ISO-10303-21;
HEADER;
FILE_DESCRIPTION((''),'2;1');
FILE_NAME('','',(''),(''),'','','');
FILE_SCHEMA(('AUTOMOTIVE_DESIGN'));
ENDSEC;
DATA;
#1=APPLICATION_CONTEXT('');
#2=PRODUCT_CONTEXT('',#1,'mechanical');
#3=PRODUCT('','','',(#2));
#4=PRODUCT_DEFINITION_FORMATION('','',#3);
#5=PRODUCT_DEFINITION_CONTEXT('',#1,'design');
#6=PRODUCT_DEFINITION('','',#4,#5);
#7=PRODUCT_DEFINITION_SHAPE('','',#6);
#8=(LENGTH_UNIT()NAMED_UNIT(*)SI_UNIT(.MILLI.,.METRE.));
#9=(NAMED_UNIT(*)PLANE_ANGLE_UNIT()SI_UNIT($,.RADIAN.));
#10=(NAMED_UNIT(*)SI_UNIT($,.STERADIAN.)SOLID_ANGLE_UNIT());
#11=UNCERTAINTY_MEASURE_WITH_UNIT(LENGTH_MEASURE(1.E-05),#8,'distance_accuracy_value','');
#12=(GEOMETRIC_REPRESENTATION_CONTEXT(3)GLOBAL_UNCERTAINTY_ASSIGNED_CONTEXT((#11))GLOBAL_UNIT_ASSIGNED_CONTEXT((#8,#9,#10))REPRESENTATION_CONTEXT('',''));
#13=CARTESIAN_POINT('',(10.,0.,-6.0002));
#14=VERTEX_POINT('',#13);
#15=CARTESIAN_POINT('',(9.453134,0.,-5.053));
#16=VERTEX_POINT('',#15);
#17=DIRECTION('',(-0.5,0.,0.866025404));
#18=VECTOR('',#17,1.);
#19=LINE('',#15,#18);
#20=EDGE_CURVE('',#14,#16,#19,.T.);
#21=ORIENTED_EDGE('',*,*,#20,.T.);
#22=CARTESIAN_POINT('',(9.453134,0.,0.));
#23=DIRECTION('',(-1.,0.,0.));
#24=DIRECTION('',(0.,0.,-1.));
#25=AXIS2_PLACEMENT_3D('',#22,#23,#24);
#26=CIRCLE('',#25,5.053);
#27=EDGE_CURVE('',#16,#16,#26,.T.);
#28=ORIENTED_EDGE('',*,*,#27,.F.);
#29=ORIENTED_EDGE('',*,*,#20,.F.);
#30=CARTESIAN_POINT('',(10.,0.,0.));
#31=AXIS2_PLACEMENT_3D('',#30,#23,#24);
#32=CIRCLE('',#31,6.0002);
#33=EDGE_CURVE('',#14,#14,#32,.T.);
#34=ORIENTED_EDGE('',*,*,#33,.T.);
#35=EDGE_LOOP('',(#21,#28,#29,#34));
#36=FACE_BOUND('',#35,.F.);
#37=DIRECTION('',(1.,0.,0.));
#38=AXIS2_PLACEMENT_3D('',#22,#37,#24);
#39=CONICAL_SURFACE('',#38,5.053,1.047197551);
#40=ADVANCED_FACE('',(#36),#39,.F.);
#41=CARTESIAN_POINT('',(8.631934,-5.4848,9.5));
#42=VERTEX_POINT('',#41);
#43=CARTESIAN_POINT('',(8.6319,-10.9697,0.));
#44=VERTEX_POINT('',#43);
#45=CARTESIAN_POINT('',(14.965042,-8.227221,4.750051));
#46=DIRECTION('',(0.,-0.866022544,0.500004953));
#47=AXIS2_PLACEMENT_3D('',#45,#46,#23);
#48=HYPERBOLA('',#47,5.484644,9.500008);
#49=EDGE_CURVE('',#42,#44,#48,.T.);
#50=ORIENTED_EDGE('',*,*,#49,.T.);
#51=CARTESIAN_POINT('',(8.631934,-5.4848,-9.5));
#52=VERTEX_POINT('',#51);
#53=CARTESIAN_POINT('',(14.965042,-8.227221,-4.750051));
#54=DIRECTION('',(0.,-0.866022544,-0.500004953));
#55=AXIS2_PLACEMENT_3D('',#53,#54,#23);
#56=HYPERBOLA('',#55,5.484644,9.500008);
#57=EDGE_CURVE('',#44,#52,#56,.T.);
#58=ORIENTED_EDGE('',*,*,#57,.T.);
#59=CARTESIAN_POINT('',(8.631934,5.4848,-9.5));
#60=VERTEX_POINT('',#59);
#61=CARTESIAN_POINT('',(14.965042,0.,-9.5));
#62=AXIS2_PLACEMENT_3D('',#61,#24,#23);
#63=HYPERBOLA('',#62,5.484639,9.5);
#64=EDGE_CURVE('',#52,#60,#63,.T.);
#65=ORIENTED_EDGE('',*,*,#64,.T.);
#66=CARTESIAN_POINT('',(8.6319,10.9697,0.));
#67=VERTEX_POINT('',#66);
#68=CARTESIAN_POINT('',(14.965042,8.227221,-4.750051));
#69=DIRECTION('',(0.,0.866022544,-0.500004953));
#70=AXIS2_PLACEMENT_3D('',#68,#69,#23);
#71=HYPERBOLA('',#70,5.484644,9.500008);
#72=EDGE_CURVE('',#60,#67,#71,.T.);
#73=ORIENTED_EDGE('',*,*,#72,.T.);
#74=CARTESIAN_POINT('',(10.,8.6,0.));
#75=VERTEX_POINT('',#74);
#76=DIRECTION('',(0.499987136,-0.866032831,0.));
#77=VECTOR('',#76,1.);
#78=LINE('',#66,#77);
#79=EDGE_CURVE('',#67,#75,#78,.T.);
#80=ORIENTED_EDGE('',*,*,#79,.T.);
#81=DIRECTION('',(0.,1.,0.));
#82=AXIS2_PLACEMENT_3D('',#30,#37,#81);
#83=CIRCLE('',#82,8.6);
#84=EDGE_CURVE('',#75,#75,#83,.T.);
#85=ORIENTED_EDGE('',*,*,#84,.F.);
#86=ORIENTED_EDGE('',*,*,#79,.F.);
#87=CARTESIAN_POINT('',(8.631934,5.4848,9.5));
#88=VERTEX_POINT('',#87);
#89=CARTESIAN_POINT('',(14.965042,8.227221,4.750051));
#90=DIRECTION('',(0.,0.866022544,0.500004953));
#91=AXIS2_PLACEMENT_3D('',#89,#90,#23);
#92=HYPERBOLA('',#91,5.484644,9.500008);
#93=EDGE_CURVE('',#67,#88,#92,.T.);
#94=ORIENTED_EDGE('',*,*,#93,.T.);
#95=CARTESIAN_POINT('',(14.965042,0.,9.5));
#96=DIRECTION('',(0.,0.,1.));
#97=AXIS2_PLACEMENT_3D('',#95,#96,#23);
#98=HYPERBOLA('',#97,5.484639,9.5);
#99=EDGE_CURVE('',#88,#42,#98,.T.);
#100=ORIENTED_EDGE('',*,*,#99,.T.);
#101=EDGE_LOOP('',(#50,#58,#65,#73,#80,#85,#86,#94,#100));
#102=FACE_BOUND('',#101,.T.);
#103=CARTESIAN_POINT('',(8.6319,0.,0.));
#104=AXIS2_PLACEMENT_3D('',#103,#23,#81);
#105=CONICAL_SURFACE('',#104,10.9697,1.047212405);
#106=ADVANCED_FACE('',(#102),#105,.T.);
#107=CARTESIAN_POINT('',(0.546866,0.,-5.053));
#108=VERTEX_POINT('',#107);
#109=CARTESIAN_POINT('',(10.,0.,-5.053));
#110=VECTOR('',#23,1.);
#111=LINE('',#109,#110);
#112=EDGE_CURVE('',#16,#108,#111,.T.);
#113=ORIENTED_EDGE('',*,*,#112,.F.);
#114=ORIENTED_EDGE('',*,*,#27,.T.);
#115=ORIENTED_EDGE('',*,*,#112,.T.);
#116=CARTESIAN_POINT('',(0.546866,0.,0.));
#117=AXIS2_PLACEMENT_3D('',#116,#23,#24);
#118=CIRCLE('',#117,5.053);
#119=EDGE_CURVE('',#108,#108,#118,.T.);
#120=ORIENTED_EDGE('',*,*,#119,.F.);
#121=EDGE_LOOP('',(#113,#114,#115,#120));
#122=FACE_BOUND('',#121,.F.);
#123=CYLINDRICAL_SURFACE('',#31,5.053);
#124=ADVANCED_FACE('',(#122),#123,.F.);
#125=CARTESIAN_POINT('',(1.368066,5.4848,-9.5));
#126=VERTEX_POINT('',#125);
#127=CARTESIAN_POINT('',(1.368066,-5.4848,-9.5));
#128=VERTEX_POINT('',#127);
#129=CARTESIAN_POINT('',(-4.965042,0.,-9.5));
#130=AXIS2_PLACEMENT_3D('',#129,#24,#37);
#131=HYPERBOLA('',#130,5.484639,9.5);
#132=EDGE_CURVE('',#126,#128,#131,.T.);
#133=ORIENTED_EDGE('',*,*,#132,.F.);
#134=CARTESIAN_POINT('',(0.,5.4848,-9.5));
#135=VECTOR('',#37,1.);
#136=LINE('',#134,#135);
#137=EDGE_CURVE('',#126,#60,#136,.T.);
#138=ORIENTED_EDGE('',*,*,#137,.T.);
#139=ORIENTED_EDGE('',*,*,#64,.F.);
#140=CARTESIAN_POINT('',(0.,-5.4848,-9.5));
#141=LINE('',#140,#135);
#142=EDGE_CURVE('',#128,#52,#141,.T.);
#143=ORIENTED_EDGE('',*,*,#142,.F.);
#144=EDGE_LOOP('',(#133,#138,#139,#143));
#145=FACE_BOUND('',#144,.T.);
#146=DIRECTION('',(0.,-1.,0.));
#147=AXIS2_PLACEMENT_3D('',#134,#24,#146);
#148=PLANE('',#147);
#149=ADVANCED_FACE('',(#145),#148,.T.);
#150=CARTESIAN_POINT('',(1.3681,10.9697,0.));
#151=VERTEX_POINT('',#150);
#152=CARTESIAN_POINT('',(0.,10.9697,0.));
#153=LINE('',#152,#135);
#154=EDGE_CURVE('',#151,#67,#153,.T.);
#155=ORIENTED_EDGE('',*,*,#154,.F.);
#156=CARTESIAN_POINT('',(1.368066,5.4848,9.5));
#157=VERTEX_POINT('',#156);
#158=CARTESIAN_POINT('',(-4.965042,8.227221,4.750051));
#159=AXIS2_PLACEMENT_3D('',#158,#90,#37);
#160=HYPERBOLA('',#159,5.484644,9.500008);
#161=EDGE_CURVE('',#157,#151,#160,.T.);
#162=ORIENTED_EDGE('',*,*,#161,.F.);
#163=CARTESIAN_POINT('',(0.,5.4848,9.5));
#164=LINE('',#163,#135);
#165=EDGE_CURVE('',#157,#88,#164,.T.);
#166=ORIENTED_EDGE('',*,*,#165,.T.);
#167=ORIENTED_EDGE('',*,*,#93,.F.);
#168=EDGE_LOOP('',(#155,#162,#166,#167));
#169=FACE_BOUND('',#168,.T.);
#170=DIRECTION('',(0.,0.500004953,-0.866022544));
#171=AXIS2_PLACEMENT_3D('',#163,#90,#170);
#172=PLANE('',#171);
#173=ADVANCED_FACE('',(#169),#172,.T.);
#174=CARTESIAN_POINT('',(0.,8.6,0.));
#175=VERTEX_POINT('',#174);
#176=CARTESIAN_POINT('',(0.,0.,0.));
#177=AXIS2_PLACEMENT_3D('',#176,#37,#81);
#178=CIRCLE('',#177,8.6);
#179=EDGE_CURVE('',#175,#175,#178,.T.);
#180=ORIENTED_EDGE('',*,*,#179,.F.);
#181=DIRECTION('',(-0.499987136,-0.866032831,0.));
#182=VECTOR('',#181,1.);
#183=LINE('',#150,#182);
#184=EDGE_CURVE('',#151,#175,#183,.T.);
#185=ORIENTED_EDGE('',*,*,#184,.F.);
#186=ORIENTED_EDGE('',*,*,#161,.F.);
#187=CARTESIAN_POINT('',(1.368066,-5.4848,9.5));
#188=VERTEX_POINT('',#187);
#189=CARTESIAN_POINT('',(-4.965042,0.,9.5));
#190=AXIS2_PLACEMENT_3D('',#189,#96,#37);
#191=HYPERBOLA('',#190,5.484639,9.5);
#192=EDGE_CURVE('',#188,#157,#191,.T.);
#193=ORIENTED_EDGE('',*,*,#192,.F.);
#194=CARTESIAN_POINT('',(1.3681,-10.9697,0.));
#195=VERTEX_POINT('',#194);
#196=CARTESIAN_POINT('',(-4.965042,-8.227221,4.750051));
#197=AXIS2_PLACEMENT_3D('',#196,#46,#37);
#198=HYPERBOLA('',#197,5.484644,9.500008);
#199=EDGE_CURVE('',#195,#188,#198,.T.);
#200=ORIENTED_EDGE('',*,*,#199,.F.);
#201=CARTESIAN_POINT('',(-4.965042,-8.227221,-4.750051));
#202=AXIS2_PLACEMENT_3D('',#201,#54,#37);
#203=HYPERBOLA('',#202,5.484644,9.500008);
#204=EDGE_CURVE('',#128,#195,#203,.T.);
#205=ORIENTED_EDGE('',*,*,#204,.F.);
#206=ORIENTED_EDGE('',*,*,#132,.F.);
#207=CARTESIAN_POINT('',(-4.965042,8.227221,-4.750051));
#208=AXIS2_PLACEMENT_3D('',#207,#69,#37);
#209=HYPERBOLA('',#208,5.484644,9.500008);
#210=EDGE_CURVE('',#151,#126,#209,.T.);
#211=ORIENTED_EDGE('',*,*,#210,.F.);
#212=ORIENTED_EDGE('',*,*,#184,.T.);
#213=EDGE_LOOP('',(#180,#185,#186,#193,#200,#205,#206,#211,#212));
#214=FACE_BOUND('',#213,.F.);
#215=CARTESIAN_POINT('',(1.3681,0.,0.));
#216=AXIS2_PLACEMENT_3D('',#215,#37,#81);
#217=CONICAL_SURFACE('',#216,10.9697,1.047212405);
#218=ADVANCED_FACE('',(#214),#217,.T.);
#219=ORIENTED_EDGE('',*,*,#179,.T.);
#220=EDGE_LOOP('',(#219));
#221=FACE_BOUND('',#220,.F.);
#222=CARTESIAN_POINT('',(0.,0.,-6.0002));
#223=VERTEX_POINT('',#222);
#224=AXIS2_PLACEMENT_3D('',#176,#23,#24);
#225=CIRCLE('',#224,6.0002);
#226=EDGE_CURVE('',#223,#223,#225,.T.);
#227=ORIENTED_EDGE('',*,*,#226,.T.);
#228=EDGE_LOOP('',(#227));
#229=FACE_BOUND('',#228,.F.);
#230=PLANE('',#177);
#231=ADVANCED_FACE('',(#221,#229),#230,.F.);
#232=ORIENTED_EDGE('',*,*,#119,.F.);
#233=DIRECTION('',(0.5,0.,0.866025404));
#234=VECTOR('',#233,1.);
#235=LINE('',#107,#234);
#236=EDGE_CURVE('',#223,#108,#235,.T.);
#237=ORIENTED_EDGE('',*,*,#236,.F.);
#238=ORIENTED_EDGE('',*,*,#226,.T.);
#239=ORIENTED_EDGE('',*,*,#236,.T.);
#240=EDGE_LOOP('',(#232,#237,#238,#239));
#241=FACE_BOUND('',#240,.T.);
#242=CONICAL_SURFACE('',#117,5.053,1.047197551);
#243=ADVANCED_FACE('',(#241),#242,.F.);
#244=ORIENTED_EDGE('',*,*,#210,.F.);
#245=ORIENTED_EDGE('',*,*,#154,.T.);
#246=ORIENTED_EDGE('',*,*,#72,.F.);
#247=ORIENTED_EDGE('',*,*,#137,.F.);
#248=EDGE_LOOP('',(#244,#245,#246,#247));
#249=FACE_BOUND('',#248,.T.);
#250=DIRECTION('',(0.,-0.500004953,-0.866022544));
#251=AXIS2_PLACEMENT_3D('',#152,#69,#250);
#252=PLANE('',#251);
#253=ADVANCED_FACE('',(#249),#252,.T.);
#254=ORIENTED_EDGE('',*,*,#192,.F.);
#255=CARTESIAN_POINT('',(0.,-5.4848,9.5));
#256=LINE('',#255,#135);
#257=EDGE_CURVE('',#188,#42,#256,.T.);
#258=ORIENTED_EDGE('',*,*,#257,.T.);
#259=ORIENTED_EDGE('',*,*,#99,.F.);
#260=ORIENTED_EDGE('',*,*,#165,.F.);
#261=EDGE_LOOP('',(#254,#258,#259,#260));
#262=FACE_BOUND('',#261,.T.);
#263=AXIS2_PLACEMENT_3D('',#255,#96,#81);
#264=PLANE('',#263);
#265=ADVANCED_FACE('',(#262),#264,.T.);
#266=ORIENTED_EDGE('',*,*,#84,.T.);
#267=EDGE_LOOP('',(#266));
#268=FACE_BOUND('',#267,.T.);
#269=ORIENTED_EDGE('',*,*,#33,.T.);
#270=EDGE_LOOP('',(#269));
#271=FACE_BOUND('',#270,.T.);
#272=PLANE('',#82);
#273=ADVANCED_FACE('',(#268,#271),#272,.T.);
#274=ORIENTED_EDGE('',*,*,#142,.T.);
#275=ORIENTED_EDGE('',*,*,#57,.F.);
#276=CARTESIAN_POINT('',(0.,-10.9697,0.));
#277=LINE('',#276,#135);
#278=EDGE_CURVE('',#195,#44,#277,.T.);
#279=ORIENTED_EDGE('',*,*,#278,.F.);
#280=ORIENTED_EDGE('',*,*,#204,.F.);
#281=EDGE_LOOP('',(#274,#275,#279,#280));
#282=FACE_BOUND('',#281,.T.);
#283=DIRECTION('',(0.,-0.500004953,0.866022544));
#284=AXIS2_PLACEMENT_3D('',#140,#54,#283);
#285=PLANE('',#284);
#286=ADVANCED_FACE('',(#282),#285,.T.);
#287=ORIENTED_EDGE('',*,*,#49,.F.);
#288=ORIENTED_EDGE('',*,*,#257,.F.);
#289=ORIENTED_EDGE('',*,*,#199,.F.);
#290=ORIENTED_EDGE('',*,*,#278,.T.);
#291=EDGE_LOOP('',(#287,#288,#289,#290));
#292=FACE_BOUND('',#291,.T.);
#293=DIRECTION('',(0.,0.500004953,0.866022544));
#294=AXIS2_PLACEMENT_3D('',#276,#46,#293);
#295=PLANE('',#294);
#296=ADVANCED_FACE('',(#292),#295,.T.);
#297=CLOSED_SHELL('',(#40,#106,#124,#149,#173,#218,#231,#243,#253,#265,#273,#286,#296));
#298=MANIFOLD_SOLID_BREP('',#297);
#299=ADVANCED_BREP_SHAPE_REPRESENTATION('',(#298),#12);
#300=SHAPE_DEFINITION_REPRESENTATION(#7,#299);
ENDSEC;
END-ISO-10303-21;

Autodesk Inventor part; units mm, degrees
ref_plane "YZ Plane" through (0, 0, 0) normal (1, 0, 0) x (0, 1, 0)
ref_plane "XZ Plane" through (0, 0, 0) normal (0, 1, 0) x (-1, 0, 0)
sketch "Sketch1" plane through (0, 0, 0) normal (1, 0, 0) x (0, 1, 0)
  line L0 (-10.9697, 0) -> (-5.4848, 9.5)
  line L1 (-5.4848, 9.5) -> (5.4848, 9.5)
  line L2 (5.4848, 9.5) -> (10.9697, 0)
  line L3 (10.9697, 0) -> (5.4848, -9.5)
  line L4 (5.4848, -9.5) -> (-5.4848, -9.5)
  line L5 (-5.4848, -9.5) -> (-10.9697, 0)
  point P0 (0, 0)
  point P1 (0, 0)
  dimension "d0" = 21.9393
extrude "Body" add sketch "Sketch1" along normal blind 10
sketch "Sketch2" plane through (0, 0, 0) normal (0, 0, 1) x (1, 0, 0)
  line L0 (0, 5.4848) -> (0, 10.9697) projected
  line L1 (0, 10.9697) -> (10, 10.9697) projected
  line L2 (10, 5.4848) -> (10, 10.9697) projected
  line L3 (-2, 0) -> (12, 0) projected
  line L4 (1.3681, 10.9697) -> (0, 8.6)
  line L5 (8.6319, 10.9697) -> (10, 8.6)
  dimension "d3" = 30
  dimension "d4" = 30
  dimension "d5" = 17.2
  dimension "d6" = 17.2
revolve "Chamfer1" cut sketch "Sketch2" angle 360 about axis through (-10, 0, 0) along (1, 0, 0)
sketch "Sketch3" plane through (10, 0, 0) normal (1, 0, 0) x (0, 0, -1)
  arc A0 (-0.625, -1.0825) -> (0.625, -1.0825) centre (0, 0) ccw projected
hole "Thread" at (10, 0, 0) direction (-1, 0, 0) diameter 10.106 end through all thread size "M12x1.75" class "6H" standard "ISO Metric profile"
chamfer "Chamfer2" distance 0.9472 angle 30 1 edges at (10, 0, 5.053) measured on face at (10, 7.3221, -0.8891)
chamfer "Chamfer3" distance 0.9472 angle 30 1 edges at (0, 0, 5.053) measured on face at (0, 7.3221, -0.8891)
ref_plane "Work Plane1" through (-20.8403, 0, 0) normal (0, -0.866, -0.5) x (1, 0, 0)
equation "\"d0\" = 1.1547 * SW"
equation "\"d1\" = KOH"
equation "\"d3\" = ANG1"
equation "\"d4\" = ANG2"
equation "\"d5\" = SW0"
equation "\"d6\" = SW01"
equation "\"d8\" = -0.5 * GD1 + 0.5 * NND"
equation "\"d40\" = -0.5 * GD1 + 0.5 * NND"
equation "\"d10\" = -0.5 * GD1 + 0.5 * NND"
equation "\"d41\" = -0.5 * GD1 + 0.5 * NND"
equation "\"ANG1\" = 30deg"
equation "\"ANG2\" = 30deg"
equation "\"NND\" = 12"
equation "\"KOH\" = 10"
equation "\"SW\" = 19"
equation "\"SW0\" = SW01"
equation "\"SW01\" = 17.2"
equation "\"GUL\" = 0.541266 * PTC"
equation "\"THREADDIA\" = 12"
equation "\"TOA\" = 30deg"
equation "\"PTC\" = 1.75"
equation "\"E0\" = 1.155 * SW"
equation "\"GAL\" = 0.541266 * PTC"
equation "\"GD1\" = 10.105569"
properties part number "DIN 934 - M12" material "Steel, Mild"
